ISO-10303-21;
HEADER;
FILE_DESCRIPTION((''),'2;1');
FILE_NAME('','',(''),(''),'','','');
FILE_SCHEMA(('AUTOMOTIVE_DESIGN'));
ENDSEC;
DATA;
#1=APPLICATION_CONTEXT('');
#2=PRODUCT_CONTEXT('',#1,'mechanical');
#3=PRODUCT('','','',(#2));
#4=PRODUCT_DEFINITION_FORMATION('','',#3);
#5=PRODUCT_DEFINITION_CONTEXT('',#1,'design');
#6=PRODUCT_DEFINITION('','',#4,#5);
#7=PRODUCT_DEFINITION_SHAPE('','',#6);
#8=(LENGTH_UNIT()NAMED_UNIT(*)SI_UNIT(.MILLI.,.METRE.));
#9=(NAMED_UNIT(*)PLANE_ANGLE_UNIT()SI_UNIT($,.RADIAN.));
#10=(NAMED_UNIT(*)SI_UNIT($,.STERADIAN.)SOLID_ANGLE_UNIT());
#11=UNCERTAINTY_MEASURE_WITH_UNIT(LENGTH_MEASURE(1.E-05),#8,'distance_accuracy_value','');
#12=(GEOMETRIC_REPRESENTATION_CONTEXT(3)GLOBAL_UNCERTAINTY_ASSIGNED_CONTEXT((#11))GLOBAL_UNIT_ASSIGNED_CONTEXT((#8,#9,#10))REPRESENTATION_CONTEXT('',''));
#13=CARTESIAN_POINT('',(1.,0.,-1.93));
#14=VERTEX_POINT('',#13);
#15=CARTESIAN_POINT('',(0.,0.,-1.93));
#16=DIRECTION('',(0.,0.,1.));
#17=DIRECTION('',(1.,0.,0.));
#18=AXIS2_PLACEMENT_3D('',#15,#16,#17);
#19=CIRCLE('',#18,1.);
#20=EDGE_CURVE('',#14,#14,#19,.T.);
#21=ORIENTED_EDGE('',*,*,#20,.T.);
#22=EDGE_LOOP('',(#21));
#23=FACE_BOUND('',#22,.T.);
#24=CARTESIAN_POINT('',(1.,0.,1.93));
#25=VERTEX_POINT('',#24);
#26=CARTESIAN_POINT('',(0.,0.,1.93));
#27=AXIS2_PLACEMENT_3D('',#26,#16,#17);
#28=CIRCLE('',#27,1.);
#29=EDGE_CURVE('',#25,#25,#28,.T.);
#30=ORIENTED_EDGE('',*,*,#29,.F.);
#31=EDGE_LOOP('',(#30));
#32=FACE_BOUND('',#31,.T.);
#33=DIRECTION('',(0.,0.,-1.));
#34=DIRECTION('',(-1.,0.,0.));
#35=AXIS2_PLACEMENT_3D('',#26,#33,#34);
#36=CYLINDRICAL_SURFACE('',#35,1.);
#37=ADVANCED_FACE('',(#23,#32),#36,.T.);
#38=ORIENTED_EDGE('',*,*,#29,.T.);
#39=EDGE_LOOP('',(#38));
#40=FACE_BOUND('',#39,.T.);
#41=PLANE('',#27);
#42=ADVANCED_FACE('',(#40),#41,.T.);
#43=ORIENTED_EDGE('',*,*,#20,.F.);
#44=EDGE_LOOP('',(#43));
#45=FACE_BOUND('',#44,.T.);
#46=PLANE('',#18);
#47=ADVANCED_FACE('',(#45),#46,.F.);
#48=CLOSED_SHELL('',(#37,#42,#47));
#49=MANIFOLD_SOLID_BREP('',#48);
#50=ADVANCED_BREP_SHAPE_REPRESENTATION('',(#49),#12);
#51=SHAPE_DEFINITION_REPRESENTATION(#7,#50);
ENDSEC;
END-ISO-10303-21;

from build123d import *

# Parameters (mm, degrees)
SKETCH1_R           = 1
BOSS_EXTRUDE1_DEPTH = 1.93


with BuildPart() as part:
    # Sketch1 → Boss-Extrude1 (new body, symmetric)
    with BuildSketch(Plane.XY):
        Circle(SKETCH1_R)
    extrude(amount=BOSS_EXTRUDE1_DEPTH, both=True)


solid = part.part
